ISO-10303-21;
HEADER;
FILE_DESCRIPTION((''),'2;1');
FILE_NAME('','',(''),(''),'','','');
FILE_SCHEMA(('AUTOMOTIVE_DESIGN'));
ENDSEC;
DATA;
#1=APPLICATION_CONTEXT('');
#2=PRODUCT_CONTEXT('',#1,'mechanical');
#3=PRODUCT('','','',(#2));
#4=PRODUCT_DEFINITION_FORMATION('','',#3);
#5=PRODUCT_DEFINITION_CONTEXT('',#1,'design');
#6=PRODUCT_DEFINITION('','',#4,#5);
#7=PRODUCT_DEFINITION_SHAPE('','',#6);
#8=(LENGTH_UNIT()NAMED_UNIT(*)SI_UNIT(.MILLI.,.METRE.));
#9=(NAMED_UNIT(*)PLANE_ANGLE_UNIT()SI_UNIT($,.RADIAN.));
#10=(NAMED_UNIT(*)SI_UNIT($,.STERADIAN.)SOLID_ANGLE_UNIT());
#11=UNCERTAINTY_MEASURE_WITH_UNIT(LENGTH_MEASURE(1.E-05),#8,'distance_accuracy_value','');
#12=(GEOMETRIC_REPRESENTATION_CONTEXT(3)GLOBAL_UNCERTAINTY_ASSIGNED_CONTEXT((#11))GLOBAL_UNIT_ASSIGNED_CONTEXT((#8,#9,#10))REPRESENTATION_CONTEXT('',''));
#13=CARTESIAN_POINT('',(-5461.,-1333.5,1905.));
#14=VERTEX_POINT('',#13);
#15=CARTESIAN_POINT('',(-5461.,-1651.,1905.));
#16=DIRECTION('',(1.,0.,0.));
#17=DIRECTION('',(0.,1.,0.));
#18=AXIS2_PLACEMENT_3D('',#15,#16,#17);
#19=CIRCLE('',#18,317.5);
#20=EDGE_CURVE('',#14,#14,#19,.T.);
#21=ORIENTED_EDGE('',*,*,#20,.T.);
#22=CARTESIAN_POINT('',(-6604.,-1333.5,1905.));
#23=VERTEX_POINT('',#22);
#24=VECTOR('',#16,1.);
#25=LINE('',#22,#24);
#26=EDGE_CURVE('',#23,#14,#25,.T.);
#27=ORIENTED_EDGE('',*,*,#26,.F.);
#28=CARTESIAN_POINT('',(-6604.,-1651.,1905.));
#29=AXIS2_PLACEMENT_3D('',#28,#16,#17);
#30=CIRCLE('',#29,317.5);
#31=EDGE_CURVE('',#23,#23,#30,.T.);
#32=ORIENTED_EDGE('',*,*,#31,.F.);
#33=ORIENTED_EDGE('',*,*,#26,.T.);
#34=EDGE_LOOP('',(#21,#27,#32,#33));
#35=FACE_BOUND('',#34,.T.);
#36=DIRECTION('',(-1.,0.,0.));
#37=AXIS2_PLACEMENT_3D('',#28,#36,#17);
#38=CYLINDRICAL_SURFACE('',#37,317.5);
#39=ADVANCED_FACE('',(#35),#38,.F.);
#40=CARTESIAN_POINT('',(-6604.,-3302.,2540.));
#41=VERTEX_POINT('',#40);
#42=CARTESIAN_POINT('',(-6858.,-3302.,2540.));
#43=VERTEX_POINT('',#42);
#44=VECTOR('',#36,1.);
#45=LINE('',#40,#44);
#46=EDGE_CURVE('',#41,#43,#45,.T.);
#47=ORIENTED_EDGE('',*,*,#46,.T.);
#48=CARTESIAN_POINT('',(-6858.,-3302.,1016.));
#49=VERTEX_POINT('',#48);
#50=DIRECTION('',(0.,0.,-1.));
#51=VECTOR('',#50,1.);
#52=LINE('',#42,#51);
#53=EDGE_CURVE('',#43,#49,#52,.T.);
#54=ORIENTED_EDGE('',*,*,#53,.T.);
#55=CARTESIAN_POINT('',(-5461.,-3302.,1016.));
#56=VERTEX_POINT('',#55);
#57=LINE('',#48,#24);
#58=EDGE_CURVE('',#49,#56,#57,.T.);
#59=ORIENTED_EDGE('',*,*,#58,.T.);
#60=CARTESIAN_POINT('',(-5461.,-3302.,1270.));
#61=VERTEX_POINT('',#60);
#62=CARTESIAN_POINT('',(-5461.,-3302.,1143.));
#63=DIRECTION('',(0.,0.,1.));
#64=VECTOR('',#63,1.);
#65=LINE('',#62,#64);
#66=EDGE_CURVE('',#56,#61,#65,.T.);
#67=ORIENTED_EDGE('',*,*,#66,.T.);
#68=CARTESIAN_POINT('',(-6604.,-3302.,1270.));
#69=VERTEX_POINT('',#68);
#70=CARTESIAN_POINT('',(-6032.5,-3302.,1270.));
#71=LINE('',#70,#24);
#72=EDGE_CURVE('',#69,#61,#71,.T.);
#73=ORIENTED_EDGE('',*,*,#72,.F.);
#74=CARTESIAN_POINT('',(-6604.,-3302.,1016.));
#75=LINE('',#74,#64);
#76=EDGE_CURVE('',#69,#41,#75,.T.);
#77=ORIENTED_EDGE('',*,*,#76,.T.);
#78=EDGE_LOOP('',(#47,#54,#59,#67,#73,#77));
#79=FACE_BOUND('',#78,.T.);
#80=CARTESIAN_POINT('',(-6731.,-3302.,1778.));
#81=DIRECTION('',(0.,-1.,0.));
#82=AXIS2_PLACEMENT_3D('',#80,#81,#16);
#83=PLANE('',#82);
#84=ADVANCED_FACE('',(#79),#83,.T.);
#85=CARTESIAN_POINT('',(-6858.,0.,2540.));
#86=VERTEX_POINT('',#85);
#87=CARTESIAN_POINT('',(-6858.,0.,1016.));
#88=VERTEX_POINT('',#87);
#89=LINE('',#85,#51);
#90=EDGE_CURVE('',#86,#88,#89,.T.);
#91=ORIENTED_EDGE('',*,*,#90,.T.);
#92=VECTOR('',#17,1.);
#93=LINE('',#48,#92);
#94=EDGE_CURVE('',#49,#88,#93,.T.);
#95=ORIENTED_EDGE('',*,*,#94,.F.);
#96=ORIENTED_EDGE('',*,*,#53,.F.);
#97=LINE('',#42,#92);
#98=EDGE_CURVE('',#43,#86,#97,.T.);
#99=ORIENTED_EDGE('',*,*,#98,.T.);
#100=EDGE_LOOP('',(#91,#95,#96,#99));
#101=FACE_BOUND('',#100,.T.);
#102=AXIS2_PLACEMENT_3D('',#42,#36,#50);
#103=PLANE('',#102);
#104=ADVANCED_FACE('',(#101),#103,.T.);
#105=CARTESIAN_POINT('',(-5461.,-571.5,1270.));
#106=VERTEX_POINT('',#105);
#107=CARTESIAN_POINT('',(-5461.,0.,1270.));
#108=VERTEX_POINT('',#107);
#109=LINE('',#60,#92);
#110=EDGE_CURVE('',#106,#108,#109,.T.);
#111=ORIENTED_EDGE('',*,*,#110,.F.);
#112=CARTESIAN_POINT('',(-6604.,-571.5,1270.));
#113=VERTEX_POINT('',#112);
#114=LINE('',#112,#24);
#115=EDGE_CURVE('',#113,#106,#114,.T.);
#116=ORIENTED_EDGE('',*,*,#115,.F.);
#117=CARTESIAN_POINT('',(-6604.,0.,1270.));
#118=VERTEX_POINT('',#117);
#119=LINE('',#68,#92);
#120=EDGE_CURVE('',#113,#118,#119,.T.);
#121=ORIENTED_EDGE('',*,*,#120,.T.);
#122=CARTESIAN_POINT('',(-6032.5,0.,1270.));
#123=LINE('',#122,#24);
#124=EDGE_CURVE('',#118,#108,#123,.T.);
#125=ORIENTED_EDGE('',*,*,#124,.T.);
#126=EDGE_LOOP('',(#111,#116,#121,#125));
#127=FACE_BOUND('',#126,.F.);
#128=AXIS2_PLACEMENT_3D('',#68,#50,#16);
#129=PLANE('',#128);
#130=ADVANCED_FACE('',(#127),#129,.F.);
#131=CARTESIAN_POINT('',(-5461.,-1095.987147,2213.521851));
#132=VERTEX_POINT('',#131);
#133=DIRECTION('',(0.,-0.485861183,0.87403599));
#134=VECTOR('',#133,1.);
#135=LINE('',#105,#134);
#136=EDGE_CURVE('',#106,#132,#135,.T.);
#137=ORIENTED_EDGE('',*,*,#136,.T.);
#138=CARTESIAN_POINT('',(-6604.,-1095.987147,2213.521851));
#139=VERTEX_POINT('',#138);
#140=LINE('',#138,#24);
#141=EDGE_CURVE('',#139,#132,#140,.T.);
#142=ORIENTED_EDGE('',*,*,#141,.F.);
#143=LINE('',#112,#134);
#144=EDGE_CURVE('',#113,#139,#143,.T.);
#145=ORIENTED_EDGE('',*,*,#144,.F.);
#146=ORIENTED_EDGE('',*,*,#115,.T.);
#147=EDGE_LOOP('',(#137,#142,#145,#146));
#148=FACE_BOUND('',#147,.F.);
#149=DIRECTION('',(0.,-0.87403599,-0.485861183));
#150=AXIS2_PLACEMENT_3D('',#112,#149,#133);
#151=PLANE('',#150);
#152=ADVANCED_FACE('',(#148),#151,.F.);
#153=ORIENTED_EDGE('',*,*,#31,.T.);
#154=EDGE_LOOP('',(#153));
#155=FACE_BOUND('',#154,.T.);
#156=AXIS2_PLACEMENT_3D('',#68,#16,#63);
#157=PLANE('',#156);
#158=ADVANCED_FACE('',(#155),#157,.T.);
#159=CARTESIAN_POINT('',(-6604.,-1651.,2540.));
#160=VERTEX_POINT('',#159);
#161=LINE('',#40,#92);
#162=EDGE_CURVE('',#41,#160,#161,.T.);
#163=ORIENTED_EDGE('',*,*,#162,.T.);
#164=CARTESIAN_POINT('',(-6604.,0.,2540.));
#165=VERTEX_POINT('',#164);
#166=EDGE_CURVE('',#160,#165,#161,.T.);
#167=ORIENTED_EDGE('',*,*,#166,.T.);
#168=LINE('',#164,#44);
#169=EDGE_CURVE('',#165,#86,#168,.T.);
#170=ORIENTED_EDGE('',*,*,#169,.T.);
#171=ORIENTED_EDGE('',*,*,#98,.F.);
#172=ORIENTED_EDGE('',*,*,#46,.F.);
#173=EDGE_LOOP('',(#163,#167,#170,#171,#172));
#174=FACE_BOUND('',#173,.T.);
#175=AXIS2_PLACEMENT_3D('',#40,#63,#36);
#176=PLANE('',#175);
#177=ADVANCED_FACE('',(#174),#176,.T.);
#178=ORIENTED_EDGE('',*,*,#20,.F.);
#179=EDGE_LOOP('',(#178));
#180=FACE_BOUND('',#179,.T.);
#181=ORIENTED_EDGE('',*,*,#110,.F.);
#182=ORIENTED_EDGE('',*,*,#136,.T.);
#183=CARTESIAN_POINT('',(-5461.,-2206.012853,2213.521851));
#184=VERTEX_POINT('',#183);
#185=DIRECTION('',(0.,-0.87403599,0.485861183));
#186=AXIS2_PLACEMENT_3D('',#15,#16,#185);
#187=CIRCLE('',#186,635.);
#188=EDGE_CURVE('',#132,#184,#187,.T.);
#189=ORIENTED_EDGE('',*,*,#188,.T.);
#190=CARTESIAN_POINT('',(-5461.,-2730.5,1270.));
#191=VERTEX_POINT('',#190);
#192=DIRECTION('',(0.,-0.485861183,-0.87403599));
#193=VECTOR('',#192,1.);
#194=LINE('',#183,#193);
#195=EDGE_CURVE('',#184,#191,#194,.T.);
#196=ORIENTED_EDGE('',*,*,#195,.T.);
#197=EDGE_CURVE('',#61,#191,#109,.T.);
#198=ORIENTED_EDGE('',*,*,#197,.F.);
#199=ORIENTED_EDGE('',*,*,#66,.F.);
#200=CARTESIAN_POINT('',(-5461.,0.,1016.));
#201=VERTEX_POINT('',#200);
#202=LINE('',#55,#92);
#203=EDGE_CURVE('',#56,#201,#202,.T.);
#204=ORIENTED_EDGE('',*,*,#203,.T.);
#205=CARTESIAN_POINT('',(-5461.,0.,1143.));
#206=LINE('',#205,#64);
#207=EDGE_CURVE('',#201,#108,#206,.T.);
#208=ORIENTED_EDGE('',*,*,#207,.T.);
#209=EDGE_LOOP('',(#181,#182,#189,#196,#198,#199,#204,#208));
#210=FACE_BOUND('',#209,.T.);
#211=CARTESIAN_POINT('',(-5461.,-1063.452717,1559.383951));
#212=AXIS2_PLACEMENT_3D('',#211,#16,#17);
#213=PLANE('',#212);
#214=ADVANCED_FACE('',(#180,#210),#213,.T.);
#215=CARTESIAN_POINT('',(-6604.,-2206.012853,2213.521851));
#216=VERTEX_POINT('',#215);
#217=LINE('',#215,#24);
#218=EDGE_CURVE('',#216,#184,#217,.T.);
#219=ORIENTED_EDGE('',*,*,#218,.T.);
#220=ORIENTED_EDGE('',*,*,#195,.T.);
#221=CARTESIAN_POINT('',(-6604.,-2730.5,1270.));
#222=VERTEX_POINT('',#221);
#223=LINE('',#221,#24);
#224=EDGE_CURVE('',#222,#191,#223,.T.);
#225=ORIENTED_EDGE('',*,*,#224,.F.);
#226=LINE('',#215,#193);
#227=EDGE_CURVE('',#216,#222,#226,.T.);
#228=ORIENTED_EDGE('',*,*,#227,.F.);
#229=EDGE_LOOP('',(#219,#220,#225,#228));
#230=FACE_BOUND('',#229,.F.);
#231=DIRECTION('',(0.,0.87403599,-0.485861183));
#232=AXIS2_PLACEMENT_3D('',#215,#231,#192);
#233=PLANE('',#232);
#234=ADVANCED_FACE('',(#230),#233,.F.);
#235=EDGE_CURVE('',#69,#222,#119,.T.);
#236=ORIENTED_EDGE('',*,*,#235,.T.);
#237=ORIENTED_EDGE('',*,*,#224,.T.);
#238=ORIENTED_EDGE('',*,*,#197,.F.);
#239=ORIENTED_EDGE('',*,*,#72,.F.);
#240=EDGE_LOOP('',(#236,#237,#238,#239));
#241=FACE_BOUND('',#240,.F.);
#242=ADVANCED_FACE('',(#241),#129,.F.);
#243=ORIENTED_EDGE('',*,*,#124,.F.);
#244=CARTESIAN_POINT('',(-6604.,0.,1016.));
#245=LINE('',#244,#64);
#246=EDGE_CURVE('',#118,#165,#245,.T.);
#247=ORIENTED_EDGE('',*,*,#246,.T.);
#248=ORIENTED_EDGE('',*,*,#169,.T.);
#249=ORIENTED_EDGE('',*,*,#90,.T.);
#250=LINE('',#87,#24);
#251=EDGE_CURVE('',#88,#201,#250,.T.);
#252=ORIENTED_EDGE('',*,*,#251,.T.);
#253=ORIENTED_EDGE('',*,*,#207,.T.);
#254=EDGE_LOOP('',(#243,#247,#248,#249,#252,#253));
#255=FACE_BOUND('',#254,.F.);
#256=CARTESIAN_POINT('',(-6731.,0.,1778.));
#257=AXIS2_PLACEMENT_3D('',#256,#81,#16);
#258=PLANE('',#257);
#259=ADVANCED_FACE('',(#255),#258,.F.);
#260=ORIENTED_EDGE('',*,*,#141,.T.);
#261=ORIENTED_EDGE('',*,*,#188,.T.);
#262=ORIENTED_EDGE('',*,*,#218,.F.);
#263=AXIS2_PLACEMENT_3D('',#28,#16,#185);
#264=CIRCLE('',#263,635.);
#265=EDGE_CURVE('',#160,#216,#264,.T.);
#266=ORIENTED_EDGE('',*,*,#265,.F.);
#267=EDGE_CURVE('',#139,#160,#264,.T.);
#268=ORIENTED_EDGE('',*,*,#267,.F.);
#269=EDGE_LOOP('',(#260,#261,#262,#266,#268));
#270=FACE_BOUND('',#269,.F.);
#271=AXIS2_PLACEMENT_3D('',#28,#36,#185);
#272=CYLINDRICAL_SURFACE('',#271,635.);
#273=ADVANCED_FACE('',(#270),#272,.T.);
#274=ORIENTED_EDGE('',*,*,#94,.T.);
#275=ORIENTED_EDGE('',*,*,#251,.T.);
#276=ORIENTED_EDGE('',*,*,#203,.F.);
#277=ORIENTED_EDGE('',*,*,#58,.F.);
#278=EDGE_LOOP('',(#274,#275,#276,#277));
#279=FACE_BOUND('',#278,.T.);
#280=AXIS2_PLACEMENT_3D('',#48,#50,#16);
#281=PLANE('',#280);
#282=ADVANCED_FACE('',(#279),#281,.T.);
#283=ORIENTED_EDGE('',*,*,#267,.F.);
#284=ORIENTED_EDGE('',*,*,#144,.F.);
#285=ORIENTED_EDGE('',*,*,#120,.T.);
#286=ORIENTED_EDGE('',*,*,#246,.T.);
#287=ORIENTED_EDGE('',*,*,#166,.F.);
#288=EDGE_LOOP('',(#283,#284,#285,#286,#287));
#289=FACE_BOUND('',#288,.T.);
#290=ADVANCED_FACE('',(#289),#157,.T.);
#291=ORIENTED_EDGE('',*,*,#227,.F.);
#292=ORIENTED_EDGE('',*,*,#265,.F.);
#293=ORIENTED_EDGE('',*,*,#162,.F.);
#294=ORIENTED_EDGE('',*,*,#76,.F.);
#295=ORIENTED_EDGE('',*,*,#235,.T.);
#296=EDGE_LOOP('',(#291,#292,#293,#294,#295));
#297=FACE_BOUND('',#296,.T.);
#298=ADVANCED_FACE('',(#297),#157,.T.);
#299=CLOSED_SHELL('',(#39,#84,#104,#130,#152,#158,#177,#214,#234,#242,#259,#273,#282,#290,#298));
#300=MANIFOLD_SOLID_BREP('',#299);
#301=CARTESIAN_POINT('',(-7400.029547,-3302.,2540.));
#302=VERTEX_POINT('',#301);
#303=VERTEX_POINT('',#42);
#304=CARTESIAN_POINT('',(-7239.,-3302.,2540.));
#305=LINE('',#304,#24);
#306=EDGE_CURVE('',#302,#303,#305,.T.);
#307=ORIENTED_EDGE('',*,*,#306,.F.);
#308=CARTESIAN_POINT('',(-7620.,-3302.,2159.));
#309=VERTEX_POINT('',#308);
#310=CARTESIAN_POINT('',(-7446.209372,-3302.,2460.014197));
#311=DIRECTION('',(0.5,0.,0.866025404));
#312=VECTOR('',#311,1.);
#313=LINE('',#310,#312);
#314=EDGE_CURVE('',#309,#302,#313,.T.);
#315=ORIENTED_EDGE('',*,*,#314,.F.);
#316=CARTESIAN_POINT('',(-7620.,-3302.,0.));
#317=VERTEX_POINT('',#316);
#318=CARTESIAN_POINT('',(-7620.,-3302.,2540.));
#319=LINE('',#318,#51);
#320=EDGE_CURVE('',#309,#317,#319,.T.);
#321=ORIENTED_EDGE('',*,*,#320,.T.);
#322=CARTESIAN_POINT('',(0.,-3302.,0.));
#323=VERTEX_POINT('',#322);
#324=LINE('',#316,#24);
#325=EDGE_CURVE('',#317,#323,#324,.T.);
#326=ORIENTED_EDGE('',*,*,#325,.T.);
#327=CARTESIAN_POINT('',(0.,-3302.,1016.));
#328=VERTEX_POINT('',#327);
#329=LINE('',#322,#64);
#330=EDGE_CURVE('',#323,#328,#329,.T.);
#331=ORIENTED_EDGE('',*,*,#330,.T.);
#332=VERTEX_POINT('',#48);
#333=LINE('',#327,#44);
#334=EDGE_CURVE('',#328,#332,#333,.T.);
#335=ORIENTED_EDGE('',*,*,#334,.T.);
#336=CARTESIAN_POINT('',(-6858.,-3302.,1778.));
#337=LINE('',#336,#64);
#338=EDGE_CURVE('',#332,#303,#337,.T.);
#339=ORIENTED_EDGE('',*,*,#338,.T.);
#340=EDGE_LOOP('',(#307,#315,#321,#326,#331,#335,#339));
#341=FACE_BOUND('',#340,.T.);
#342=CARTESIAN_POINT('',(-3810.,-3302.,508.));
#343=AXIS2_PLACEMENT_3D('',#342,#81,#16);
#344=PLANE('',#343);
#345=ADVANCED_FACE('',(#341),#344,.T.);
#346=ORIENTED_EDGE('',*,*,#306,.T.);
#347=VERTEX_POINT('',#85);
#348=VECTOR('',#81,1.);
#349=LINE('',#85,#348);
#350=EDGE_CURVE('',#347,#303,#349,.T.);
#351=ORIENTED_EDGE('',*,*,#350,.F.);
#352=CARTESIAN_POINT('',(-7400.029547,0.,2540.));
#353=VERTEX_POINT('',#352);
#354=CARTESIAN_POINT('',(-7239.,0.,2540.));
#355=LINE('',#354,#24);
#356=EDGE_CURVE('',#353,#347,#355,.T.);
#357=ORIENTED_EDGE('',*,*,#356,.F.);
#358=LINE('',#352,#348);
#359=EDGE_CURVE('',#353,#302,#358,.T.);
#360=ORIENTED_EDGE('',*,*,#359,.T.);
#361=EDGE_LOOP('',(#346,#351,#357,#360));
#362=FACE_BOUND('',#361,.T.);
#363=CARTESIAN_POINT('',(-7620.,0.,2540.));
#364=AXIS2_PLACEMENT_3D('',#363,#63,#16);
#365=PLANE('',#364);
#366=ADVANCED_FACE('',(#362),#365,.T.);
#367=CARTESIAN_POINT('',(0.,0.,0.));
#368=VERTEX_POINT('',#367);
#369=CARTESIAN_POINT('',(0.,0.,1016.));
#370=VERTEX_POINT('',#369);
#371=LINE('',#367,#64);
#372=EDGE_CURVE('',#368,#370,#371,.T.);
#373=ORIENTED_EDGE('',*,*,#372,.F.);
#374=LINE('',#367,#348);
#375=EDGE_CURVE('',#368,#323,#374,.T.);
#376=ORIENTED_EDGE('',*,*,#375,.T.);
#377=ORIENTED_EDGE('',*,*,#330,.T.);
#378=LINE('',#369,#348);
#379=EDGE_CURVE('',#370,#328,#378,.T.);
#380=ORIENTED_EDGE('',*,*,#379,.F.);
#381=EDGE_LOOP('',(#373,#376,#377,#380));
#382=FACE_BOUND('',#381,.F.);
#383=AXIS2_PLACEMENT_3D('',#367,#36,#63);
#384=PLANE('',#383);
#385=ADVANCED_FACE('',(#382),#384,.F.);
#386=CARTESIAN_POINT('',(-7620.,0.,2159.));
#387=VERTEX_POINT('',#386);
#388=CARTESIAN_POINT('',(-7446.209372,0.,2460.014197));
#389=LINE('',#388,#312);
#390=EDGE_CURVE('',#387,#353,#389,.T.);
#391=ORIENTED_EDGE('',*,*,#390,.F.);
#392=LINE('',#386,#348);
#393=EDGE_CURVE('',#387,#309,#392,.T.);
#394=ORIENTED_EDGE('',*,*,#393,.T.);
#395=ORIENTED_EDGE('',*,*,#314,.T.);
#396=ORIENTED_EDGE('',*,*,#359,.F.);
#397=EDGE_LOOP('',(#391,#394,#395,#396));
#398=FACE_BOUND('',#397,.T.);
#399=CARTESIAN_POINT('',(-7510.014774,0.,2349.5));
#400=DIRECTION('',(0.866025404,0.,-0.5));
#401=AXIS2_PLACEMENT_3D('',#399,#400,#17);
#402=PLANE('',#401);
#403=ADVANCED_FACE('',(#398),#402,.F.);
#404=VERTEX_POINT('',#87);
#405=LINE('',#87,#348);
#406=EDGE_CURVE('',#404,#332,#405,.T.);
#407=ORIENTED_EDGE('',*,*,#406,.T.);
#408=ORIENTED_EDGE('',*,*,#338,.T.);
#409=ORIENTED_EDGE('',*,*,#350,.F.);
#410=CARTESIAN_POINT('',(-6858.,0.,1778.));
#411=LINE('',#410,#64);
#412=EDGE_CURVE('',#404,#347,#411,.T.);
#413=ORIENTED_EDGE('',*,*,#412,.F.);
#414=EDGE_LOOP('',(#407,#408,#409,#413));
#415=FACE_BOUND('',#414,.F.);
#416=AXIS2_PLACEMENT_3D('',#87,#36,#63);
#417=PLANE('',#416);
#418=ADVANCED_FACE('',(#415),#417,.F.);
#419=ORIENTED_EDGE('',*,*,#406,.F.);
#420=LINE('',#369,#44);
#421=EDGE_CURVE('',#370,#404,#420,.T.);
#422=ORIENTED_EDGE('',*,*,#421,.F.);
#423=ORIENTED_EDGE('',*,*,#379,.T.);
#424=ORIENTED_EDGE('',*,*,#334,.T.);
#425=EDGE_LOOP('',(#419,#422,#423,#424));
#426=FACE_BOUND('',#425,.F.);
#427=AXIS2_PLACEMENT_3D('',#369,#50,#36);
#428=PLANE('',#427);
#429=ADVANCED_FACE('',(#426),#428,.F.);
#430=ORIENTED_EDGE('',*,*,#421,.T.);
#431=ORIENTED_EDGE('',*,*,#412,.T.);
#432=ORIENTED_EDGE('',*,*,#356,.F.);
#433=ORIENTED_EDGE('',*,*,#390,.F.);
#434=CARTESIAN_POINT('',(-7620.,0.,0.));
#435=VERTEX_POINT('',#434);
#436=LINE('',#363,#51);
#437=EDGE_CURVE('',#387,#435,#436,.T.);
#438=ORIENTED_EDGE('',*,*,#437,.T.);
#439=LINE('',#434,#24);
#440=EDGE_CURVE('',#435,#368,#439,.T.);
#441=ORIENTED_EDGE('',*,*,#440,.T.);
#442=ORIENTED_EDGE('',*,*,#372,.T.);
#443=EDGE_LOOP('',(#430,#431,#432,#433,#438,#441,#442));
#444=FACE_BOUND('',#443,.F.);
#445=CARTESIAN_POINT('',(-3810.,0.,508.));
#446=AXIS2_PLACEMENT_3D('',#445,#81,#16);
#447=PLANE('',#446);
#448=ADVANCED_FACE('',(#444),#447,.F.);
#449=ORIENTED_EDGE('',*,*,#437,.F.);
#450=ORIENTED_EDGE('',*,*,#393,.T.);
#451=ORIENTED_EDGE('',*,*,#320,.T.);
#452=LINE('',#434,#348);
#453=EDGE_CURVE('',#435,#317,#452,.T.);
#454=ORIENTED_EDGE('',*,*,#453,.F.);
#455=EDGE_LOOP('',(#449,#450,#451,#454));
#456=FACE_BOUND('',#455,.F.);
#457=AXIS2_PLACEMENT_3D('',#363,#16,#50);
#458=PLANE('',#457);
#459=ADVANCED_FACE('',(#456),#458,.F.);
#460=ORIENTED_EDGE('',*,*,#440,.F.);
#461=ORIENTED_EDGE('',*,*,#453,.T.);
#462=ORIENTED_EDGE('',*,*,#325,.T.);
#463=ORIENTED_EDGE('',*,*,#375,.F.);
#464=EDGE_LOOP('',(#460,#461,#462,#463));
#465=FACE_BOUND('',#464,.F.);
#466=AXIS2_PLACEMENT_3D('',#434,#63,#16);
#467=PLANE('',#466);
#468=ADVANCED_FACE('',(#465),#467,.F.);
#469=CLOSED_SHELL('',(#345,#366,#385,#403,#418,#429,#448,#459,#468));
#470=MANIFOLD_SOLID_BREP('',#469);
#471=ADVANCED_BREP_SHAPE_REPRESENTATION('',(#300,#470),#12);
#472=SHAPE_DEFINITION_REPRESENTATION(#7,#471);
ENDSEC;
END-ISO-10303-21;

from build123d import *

# Parameters (mm, degrees)
F0_W     = 762
F0_H     = 1524
F1_DEPTH = 3302
F2_SIZE2 = 219.9704525612
F2_SIZE  = 381
F3_W     = 1143
F3_H     = 254
F4_DEPTH = 3302
F5_R     = 317.5
F6_DEPTH = 1143


with BuildPart() as f1:
    # F0 (on Front) → F1 (new body)
    with BuildSketch(Plane.XZ):
        Polygon((-7620, 0), (0, 0), (0, 1016), (-6858, 1016), (-7620, 1016), align=None)
        with Locations((-7239, 1778)):
            Rectangle(F0_W, F0_H)
    extrude(amount=F1_DEPTH)

    # F2
    f2_edges = [f1.edges().sort_by_distance(p)[0] for p in [
        (-7620, -1651, 2540),
    ]]
    f2_side = f1.faces().sort_by_distance((-7620, -1651, 1270))[0]
    chamfer(f2_edges, length=F2_SIZE, length2=F2_SIZE2, reference=f2_side)


with BuildPart() as f4:
    # F3 (on face) → F4 (new body)
    with BuildSketch(Plane.XZ.offset(3302)):
        Polygon((-6604, 2540), (-6858, 2540), (-6858, 1016), (-6604, 1016), (-6604, 1270), align=None)
        with Locations((-6032.5, 1143)):
            Rectangle(F3_W, F3_H)
    extrude(amount=-F4_DEPTH)

    # F5 (on face) → F6 (join)
    with BuildSketch(Plane.YZ.offset(-6604)):
        with BuildLine():
            ThreePointArc((-1095.9871465296, 2213.5218508997), (-1036.3219696647, 2064.3609708277), (-1016, 1905))
            ThreePointArc((-1016, 1905), (-1201.9871939465, 1455.9871939466), (-1650.9999999999, 1270))
            Line((-1650.9999999999, 1270), (-571.5, 1270))
            Line((-571.5, 1270), (-1095.9871465296, 2213.5218508997))
        make_face()
        with BuildLine():
            Line((-2730.5, 1270), (-1650.9999999999, 1270))
            ThreePointArc((-1650.9999999999, 1270), (-2198.3282266252, 1583.0422196322), (-2206.0128534704, 2213.5218508997))
            Line((-2206.0128534704, 2213.5218508997), (-2730.5, 1270))
        make_face()
        with BuildLine():
            ThreePointArc((-1650.9999999999, 1270), (-1201.9871939465, 1455.9871939466), (-1016, 1905))
            ThreePointArc((-1016, 1905), (-1036.3219696647, 2064.3609708277), (-1095.9871465296, 2213.5218508997))
            ThreePointArc((-1095.9871465296, 2213.5218508997), (-1329.0422196322, 2452.3282266252), (-1651, 2540))
            ThreePointArc((-1651, 2540), (-1972.9577803678, 2452.3282266252), (-2206.0128534704, 2213.5218508997))
            ThreePointArc((-2206.0128534704, 2213.5218508997), (-2198.3282266252, 1583.0422196322), (-1650.9999999999, 1270))
        make_face()
        with Locations((-1651, 1905)):
            Circle(F5_R, mode=Mode.SUBTRACT)
    extrude(amount=F6_DEPTH)


solid = Compound([f1.part, f4.part])
